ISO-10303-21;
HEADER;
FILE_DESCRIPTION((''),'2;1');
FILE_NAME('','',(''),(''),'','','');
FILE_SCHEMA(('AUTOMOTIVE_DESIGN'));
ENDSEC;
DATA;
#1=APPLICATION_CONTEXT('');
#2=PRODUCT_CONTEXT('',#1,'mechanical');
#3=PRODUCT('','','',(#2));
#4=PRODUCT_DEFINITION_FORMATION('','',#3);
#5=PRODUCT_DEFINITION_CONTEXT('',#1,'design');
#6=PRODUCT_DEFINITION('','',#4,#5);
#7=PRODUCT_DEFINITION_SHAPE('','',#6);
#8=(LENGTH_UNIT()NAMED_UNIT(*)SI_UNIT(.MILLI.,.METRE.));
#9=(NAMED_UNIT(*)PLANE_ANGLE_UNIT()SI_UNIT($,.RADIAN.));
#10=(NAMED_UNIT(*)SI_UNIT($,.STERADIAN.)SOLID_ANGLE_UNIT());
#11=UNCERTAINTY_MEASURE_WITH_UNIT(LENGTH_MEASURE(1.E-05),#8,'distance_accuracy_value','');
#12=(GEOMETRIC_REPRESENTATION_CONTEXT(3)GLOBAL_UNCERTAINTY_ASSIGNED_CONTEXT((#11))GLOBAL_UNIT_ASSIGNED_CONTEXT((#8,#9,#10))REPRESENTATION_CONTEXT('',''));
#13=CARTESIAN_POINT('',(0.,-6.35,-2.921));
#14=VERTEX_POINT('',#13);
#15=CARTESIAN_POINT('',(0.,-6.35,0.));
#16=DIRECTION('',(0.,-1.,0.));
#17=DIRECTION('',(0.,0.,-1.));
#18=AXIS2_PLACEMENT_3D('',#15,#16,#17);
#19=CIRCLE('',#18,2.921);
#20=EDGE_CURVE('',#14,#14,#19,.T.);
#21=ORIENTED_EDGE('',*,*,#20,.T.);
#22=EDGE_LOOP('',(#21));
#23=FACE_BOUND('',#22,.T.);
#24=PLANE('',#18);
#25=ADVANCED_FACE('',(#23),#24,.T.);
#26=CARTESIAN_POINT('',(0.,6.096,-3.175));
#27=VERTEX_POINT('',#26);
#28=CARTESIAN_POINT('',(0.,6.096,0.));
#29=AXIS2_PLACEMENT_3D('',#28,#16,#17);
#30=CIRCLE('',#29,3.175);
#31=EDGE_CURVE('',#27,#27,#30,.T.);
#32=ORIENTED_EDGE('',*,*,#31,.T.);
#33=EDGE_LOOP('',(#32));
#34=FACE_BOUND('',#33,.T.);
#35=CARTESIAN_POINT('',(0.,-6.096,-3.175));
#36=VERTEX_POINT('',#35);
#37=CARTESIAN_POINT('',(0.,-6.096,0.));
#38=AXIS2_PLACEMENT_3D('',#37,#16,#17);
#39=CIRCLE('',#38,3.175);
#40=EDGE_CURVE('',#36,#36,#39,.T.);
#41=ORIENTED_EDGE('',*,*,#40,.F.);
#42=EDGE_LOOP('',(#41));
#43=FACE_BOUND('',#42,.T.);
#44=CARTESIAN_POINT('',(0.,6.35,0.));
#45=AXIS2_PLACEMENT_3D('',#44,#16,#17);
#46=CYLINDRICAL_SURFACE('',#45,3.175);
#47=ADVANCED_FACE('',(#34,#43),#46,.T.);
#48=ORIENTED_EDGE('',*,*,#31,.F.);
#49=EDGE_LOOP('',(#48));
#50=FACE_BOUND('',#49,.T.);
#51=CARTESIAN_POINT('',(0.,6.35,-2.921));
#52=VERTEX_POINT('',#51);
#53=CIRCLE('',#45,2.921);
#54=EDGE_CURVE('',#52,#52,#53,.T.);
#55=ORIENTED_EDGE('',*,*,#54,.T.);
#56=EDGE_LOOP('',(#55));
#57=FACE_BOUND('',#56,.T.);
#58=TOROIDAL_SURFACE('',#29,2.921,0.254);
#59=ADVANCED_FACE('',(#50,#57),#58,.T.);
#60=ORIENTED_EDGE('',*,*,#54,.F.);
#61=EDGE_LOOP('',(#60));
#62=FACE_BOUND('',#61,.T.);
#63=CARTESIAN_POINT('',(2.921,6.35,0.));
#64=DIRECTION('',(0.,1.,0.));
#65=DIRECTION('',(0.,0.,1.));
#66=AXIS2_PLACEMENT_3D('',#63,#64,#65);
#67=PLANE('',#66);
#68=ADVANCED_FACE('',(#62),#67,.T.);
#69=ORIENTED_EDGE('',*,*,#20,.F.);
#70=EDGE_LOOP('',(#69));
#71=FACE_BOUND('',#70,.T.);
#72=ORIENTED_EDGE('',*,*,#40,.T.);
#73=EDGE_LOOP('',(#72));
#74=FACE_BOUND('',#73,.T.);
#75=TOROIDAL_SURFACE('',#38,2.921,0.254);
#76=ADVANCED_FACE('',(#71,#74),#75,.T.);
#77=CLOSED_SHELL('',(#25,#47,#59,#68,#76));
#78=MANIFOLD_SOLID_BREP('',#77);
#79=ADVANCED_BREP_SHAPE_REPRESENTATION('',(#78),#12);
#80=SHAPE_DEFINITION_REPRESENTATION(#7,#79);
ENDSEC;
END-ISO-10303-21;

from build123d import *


with BuildPart() as part:
    # Sketch1 → Revolve1 (revolve)
    with BuildSketch(Plane.XY):
        with BuildLine():
            Line((2.921, 6.35), (0, 6.35))
            Line((0, 6.35), (0, -6.35))
            Line((0, -6.35), (2.921, -6.35))
            ThreePointArc((2.921, -6.35), (3.100605122, -6.275605122), (3.175, -6.096))
            Line((3.175, -6.096), (3.175, 6.096))
            ThreePointArc((3.175, 6.096), (3.100605122, 6.275605122), (2.921, 6.35))
        make_face()
    revolve(axis=Axis((0, 6.35, 0), (0, -1, 0)))


solid = part.part
